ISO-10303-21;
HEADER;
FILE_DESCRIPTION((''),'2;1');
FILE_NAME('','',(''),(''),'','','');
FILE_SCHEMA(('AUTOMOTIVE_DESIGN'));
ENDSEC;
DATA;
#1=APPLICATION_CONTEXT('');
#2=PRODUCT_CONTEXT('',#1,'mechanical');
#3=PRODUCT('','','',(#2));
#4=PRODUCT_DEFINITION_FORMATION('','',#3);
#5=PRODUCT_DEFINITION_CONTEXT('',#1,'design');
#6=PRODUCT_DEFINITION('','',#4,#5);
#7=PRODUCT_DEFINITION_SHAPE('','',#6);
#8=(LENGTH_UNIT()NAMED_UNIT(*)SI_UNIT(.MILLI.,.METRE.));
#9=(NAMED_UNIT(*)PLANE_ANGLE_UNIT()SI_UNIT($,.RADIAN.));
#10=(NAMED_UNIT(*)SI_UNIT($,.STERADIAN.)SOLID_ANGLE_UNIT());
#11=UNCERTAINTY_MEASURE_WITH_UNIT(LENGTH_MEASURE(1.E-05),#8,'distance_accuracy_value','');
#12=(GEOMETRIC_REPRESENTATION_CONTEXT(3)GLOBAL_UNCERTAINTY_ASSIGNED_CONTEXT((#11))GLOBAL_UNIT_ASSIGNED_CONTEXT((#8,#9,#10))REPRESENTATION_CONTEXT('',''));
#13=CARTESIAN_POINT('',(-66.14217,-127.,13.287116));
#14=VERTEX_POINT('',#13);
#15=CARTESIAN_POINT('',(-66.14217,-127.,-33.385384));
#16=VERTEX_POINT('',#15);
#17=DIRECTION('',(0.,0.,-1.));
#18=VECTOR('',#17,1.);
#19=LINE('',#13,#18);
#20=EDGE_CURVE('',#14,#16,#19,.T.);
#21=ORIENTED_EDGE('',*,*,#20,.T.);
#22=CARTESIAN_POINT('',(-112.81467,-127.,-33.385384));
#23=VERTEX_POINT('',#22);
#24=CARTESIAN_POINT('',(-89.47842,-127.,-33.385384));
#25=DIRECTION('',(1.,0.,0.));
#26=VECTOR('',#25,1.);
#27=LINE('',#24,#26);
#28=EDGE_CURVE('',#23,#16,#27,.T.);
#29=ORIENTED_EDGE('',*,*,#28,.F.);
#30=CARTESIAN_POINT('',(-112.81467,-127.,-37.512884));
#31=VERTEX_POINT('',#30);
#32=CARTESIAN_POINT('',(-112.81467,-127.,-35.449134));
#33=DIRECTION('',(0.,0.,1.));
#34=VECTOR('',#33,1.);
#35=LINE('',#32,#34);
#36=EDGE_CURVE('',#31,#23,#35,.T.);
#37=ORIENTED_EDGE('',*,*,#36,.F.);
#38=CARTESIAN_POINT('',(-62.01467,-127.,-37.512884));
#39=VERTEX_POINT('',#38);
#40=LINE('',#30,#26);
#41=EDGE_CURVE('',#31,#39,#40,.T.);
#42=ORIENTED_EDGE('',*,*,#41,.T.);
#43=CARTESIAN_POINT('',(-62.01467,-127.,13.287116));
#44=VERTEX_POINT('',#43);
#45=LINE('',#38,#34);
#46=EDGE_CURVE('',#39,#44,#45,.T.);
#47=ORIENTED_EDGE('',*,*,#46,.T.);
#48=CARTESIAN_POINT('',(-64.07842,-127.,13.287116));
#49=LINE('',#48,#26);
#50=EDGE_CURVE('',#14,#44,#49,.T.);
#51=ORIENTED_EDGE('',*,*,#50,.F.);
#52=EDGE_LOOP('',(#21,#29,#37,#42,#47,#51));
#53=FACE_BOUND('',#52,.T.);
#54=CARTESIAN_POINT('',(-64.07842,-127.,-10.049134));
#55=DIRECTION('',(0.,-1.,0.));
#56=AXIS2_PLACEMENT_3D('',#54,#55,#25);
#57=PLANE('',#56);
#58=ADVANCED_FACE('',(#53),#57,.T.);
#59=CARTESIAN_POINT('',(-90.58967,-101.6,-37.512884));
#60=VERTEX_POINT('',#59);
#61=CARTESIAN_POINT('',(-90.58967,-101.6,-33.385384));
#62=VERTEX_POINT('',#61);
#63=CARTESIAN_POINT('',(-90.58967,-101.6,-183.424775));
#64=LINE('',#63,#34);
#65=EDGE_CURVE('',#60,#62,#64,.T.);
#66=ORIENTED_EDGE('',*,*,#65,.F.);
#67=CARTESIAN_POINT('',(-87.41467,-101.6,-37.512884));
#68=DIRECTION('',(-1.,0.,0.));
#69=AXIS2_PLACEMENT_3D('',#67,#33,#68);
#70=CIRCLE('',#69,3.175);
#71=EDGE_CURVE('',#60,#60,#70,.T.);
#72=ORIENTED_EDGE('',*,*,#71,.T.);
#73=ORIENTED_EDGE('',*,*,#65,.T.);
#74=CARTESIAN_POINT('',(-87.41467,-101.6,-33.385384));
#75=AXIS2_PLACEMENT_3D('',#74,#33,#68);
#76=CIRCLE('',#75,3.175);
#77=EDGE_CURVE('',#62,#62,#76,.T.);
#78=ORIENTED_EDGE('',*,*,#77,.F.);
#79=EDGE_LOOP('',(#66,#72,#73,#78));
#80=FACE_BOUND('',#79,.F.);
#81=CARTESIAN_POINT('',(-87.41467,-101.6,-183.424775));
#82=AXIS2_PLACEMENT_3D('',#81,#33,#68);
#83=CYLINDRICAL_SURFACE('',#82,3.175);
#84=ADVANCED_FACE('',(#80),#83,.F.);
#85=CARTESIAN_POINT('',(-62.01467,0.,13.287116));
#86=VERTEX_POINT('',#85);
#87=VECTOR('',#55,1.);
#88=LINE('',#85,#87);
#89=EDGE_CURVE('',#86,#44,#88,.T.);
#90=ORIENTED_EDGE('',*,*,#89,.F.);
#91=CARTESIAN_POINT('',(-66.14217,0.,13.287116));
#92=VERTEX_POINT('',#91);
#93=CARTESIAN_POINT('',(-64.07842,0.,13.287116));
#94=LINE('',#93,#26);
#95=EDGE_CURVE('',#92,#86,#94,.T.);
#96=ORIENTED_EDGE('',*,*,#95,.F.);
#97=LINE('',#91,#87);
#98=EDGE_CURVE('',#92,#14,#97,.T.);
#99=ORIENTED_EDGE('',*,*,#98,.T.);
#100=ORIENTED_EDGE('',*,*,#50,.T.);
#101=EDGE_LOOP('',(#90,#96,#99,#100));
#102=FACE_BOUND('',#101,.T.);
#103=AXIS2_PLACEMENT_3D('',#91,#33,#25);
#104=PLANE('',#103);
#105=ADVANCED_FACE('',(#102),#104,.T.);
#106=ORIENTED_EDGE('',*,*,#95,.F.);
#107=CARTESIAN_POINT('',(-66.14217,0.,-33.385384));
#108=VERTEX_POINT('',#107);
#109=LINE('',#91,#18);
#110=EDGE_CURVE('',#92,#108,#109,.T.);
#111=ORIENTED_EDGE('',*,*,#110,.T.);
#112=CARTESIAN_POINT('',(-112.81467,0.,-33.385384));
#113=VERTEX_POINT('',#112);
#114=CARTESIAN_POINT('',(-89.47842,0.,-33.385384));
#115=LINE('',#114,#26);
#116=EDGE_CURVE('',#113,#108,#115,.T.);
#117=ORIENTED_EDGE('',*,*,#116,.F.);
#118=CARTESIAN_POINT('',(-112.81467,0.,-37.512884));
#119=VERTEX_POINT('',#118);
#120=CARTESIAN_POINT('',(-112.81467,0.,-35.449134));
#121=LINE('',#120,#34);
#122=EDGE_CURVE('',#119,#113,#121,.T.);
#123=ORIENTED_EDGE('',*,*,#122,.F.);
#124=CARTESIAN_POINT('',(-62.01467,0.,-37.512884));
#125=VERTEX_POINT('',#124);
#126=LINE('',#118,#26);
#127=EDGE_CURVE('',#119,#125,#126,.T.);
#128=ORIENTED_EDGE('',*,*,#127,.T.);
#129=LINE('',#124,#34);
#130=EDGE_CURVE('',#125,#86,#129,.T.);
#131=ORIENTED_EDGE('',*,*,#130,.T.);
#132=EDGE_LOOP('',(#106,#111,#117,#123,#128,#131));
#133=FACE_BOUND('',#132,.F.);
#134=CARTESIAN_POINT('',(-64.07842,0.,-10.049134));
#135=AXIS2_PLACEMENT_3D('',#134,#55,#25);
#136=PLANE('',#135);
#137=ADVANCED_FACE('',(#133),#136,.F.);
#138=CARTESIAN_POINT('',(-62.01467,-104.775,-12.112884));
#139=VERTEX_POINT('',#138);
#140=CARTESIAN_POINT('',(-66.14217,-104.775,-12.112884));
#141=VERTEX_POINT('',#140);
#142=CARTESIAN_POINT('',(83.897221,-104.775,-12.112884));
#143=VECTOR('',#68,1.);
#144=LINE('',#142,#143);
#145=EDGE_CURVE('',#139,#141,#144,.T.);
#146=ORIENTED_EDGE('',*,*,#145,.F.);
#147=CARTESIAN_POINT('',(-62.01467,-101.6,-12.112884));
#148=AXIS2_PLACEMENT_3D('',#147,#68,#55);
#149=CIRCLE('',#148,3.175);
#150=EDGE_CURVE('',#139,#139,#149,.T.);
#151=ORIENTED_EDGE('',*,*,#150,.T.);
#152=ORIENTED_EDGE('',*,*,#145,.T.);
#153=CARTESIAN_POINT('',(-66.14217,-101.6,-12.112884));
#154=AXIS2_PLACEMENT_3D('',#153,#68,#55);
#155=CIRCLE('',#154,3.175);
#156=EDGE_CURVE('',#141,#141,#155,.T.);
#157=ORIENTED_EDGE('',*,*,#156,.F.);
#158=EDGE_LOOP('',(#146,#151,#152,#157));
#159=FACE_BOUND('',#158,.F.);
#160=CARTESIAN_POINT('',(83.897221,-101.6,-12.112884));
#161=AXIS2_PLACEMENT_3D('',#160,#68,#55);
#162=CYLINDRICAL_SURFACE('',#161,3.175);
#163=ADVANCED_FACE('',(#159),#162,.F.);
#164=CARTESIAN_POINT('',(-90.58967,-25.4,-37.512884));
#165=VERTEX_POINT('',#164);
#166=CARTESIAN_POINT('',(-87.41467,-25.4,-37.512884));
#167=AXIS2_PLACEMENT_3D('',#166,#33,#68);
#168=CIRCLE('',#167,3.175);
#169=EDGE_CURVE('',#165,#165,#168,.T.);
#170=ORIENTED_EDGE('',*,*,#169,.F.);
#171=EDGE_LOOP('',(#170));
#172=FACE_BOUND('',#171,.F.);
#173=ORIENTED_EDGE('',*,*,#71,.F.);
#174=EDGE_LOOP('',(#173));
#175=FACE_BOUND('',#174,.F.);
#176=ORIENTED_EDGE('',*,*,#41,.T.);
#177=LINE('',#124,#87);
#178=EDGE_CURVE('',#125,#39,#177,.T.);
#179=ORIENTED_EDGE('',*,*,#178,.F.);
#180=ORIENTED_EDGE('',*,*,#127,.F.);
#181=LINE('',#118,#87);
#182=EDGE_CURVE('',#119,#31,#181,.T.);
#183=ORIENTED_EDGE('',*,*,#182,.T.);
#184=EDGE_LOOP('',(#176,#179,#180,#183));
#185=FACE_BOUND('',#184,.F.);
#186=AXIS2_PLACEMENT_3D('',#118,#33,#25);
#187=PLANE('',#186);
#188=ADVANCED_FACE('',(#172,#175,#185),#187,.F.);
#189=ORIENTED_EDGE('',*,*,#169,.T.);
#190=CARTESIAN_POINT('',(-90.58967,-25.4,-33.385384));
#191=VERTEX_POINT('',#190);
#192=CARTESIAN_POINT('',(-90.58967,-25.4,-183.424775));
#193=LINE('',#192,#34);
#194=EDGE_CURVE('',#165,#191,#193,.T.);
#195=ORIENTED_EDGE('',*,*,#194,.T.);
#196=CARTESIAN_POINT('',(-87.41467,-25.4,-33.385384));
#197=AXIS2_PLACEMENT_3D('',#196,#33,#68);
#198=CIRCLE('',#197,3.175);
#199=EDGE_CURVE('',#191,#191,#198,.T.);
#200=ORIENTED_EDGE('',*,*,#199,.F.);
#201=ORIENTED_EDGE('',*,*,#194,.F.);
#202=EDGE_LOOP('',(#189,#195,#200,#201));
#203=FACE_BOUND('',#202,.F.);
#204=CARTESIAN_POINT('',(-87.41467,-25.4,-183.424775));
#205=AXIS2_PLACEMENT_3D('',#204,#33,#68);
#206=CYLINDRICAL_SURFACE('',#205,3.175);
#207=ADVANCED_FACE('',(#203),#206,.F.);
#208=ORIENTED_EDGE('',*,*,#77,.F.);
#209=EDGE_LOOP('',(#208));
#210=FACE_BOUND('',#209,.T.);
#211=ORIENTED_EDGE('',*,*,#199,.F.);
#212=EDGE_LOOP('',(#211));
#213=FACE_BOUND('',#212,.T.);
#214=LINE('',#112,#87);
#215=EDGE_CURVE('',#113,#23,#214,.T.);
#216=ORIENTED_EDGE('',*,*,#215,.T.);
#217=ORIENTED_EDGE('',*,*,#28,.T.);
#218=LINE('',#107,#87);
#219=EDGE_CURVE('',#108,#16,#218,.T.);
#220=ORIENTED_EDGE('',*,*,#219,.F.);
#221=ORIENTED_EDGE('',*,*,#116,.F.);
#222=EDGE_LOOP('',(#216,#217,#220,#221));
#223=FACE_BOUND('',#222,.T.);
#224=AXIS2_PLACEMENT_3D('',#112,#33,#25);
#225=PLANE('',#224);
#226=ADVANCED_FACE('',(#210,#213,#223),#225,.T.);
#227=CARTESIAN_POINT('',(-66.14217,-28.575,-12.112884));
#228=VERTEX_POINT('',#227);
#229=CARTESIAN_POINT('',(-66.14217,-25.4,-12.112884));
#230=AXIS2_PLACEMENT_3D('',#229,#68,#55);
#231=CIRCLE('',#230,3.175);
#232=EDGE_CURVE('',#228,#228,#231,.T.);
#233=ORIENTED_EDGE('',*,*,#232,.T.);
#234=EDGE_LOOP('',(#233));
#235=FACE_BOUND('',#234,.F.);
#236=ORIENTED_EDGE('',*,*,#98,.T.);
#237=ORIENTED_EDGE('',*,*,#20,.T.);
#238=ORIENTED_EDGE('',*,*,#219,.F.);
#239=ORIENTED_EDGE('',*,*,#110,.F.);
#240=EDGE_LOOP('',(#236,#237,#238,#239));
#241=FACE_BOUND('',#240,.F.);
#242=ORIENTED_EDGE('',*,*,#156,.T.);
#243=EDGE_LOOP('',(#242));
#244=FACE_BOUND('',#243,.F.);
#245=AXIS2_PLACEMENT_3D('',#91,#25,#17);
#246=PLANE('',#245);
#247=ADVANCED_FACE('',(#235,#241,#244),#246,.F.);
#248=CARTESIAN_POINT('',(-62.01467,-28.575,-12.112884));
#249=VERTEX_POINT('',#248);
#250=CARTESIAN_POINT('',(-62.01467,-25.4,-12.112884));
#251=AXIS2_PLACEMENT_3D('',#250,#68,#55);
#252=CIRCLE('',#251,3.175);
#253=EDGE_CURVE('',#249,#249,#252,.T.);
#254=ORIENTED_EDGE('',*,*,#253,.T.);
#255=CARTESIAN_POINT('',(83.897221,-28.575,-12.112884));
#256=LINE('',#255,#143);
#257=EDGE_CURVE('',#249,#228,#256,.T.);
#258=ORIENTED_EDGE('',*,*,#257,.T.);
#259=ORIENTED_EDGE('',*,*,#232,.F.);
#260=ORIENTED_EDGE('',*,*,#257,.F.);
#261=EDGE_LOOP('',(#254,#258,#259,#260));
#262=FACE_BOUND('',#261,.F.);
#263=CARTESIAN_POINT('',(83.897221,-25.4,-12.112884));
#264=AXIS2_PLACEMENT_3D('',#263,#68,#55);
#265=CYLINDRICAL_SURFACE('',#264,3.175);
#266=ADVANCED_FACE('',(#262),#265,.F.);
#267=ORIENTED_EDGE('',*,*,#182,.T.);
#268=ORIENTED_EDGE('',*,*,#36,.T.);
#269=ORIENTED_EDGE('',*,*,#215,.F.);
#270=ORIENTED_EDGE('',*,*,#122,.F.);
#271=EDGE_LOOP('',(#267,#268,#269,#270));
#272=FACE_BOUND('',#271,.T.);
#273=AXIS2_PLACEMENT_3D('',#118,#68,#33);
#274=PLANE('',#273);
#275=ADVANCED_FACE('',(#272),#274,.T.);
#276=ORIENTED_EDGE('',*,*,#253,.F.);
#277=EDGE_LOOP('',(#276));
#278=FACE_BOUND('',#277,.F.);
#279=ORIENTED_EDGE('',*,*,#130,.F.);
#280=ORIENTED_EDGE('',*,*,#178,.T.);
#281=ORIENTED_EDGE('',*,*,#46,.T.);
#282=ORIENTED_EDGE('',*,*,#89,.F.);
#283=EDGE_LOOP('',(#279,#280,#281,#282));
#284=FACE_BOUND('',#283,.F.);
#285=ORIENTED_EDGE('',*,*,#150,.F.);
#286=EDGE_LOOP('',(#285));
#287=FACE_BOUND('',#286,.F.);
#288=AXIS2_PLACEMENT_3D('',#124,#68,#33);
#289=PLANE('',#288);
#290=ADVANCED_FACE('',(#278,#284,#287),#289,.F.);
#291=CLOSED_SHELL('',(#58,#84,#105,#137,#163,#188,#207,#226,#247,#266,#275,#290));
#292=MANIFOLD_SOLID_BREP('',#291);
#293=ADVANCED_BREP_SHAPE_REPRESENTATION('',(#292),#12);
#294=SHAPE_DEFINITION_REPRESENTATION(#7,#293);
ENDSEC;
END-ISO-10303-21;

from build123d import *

# Parameters (mm, degrees)
F0_W     = 4.1275
F0_H     = 46.6725
F0_H_2   = 4.1275
F0_W_2   = 46.6725
F1_DEPTH = 127
F4_D     = 6.35
F5_D     = 6.35
F6_D     = 6.35
F7_D     = 6.35


with BuildPart() as f1:
    # F0 (on Front) → F1 (new body)
    with BuildSketch(Plane.XZ):
        with Locations((-64.07842, -10.049134)):
            Rectangle(F0_W, F0_H)
        with Locations((-64.07842, -35.449134)):
            Rectangle(F0_W, F0_H_2)
        with Locations((-89.47842, -35.449134)):
            Rectangle(F0_W_2, F0_H_2)
    extrude(amount=F1_DEPTH)

    # F4 (through all)
    with Locations(Plane.YZ.offset(-62.01467)):
        with Locations((-101.6, -12.112884)):
            Hole(F4_D / 2)

    # F5 (through all)
    with Locations(Plane(origin=(0, 0, -37.512884), x_dir=(1, 0, 0), z_dir=(0, 0, -1))):
        with Locations((-87.41467, 101.6)):
            Hole(F5_D / 2)

    # F6 (through all)
    with Locations(Plane.YZ.offset(-62.01467)):
        with Locations((-25.4, -12.112884)):
            Hole(F6_D / 2)

    # F7 (through all)
    with Locations(Plane(origin=(0, 0, -37.512884), x_dir=(1, 0, 0), z_dir=(0, 0, -1))):
        with Locations((-87.41467, 25.4)):
            Hole(F7_D / 2)


solid = f1.part
